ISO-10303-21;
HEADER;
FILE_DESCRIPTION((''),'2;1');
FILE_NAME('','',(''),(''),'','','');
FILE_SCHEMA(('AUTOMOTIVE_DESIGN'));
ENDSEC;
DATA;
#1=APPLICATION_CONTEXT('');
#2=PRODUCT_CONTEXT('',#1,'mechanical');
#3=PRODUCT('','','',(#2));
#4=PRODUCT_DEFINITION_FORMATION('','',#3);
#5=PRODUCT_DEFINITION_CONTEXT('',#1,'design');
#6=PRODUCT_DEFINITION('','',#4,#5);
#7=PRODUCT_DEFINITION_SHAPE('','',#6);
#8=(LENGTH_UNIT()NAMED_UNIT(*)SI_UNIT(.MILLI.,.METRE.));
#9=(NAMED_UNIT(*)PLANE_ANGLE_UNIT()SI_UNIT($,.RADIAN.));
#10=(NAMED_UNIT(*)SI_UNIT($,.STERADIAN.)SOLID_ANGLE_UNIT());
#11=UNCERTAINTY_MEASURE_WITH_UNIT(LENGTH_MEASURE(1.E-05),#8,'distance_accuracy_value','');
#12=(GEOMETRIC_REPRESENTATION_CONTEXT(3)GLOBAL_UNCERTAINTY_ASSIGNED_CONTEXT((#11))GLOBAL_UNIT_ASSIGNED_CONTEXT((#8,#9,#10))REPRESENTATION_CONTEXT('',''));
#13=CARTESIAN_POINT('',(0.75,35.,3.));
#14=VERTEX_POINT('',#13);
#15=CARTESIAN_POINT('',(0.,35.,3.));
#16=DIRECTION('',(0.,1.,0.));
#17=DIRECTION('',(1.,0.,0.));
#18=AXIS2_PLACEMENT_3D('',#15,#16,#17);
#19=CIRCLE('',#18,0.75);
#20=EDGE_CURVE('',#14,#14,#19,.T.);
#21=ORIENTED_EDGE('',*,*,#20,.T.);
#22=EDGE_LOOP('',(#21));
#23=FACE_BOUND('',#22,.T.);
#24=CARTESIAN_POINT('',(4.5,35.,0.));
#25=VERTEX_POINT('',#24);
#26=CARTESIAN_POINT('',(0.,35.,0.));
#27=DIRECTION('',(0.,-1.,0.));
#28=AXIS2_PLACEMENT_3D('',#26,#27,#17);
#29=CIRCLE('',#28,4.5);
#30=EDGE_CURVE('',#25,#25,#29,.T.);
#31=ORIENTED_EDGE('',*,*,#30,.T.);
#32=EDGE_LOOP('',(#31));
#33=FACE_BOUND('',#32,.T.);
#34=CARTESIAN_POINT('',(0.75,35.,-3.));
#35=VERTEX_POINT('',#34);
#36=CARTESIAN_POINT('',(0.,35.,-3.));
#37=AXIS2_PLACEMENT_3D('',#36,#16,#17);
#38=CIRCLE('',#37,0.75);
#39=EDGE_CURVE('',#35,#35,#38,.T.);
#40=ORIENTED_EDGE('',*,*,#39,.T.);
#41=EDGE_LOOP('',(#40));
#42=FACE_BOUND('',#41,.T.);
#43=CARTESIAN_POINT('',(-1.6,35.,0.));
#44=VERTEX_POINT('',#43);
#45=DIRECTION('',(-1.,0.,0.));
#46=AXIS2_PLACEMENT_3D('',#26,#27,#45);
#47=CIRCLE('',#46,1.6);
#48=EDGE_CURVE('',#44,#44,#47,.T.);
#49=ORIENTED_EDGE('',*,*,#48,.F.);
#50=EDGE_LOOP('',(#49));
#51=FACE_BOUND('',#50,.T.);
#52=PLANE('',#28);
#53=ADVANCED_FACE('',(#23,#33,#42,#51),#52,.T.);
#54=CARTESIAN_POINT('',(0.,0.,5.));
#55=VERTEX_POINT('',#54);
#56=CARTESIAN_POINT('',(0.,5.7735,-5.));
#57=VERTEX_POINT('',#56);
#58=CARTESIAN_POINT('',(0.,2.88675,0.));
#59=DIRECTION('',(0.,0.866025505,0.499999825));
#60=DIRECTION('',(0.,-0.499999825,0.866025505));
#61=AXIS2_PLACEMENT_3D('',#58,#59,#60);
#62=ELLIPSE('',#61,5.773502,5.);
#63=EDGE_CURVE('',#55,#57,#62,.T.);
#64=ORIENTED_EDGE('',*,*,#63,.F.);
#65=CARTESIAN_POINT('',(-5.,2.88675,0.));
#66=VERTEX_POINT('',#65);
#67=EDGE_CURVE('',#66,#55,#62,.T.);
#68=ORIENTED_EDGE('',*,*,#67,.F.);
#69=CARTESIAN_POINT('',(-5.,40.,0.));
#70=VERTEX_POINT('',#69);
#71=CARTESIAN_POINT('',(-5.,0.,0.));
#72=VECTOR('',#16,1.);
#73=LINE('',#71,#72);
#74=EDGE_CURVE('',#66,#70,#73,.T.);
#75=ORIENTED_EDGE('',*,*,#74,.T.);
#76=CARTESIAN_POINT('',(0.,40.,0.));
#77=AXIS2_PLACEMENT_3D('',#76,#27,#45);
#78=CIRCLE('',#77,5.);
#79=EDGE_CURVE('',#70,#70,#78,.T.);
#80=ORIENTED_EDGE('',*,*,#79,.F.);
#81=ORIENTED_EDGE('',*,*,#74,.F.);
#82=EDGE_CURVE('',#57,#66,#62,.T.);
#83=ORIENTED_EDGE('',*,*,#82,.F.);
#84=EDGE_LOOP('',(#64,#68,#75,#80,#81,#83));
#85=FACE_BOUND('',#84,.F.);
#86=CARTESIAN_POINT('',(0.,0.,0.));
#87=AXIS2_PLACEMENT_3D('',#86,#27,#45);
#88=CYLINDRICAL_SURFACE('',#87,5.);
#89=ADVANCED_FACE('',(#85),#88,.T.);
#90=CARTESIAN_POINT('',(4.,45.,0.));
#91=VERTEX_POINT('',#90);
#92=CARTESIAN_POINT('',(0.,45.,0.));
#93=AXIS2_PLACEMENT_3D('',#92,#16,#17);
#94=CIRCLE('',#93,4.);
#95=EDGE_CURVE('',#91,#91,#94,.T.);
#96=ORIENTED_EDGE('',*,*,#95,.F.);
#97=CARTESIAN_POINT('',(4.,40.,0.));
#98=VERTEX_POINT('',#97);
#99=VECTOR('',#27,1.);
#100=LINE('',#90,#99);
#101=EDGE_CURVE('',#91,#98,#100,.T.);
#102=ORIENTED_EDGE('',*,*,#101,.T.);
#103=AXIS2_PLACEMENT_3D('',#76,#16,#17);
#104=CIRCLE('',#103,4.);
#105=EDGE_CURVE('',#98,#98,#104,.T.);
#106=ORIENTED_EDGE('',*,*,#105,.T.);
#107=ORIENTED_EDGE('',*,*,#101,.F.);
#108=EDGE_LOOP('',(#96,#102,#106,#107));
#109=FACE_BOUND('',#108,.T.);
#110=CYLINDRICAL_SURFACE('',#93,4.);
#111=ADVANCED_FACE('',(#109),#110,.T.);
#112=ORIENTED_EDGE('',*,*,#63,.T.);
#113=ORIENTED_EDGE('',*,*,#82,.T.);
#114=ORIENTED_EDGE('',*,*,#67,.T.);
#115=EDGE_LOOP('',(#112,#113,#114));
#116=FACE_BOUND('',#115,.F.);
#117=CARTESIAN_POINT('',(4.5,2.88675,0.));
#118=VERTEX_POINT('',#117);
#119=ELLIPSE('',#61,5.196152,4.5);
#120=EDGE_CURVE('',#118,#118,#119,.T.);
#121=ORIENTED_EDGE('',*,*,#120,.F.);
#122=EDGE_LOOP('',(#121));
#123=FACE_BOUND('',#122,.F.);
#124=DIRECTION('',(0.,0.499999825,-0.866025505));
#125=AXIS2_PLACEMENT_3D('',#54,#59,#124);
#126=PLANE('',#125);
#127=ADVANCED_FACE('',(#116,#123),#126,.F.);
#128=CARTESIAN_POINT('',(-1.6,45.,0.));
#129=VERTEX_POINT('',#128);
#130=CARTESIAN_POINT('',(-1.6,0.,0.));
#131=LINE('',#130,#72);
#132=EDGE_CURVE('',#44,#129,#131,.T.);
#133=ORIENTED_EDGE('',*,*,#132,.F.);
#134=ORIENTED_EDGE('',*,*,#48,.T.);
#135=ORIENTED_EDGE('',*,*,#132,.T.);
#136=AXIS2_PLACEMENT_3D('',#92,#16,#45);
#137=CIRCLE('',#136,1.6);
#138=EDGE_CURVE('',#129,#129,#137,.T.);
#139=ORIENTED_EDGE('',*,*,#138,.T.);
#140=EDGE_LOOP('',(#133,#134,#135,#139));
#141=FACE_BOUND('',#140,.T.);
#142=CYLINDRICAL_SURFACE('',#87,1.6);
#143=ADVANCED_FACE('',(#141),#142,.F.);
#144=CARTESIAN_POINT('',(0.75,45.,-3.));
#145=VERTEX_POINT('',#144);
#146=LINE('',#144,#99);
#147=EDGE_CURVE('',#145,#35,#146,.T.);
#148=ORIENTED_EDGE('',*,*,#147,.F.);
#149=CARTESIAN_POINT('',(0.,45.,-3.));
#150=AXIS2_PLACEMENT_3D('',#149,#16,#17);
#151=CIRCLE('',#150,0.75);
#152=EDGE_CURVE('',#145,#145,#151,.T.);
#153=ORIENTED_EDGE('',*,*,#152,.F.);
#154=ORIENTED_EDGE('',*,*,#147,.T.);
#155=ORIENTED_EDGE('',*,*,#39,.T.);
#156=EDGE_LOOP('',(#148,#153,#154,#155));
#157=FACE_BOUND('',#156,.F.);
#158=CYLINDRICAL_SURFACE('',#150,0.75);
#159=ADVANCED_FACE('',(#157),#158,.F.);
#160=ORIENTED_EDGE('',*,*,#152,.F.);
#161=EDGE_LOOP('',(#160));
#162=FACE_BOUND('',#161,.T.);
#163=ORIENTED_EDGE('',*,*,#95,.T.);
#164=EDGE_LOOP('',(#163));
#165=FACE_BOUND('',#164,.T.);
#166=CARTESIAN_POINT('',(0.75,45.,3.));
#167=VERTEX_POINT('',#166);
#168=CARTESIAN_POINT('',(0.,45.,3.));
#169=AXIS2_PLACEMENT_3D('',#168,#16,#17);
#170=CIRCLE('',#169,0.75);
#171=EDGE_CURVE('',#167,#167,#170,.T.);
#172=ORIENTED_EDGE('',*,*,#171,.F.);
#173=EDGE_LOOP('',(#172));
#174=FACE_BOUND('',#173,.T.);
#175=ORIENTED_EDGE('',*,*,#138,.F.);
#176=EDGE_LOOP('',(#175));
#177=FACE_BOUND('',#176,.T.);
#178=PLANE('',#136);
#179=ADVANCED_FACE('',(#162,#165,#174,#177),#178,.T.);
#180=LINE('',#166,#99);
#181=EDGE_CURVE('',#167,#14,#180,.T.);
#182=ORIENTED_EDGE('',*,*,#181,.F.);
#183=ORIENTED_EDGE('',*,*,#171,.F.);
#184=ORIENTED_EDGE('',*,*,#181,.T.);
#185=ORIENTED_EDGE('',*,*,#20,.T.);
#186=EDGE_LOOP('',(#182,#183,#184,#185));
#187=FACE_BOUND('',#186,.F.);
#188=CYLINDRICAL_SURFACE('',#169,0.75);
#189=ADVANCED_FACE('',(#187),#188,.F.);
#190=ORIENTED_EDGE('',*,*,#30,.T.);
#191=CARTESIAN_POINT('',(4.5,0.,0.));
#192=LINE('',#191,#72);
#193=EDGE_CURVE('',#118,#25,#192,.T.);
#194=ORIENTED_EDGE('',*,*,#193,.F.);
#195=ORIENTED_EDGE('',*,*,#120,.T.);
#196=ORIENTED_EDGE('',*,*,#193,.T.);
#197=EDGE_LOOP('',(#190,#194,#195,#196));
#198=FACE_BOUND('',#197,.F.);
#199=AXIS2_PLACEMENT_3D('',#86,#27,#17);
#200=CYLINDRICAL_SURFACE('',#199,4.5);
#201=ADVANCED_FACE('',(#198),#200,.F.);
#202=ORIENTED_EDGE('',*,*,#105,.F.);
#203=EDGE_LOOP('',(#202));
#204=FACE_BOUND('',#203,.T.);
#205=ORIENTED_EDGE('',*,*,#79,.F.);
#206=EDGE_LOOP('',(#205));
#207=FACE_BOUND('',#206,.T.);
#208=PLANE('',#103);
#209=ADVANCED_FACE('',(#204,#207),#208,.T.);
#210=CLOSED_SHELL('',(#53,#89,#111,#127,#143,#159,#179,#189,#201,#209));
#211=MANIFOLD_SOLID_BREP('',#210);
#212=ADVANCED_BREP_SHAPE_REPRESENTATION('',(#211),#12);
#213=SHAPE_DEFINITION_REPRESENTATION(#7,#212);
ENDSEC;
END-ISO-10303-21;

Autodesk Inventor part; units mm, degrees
ref_plane "YZ Plane" through (0, 0, 0) normal (1, 0, 0) x (0, 1, 0)
ref_plane "XZ Plane" through (0, 0, 0) normal (0, 1, 0) x (-1, 0, 0)
ref_plane "XY Plane" through (0, 0, 0) normal (0, 0, 1) x (1, 0, 0)
sketch "Sketch1" plane through (0, 0, 0) normal (0, 1, 0) x (-1, 0, 0)
  circle A0 centre (0, 0) radius 5
  circle A1 centre (0, 0) radius 1.6
  dimension "d0" = 10
  dimension "d1" = 3.2
extrude "Extrusion1" add sketch "Sketch1" along normal blind 45
sketch "Sketch2" plane through (0, 45, 0) normal (0, 1, 0) x (1, 0, 0)
  circle A0 centre (0, 3) radius 0.75
  circle A1 centre (0, -3) radius 0.75
  point P0 (0, 0)
  dimension "d4" = 1.5
  dimension "d5" = 1.5
  dimension "d6" = 6
  dimension "d7" = 3
  dimension "d8" = 0
  dimension "d10" = 0
extrude "Extrusion2" cut sketch "Sketch2" against normal through all
sketch "Sketch3" plane through (0, 0, 0) normal (0, -1, 0) x (1, 0, 0)
  circle A0 centre (0, 0) radius 4.5
  dimension "d13" = 9
extrude "Extrusion3" cut sketch "Sketch3" against normal blind 35
sketch "Sketch4" plane through (0, 0, 0) normal (1, 0, 0) x (0, 1, 0)
  line L0 (0, -5) -> (0, 5) projected
  line L1 (0, 5) -> (5.7735, -5)
  line L2 (0, -5) -> (45, -5) projected
  line L3 (0, 5) -> (11.547, 5) construction
  line L4 (5.7735, -5) -> (0, -5)
  line L5 (0, 5) -> (0, -5)
  point P0 (0, 0)
  dimension "d16" = 60
extrude "Extrusion4" cut sketch "Sketch4" along normal through all both and the other way through all
sketch "Sketch5" plane through (0, 45, 0) normal (0, 1, 0) x (1, 0, 0)
  circle A0 centre (0, 0) radius 5
  circle A1 centre (0, 0) radius 4
  dimension "d19" = 10
  dimension "d20" = 8
extrude "Extrusion5" cut sketch "Sketch5" against normal blind 5
properties part number "End-tip Coupler" material "Copper"
